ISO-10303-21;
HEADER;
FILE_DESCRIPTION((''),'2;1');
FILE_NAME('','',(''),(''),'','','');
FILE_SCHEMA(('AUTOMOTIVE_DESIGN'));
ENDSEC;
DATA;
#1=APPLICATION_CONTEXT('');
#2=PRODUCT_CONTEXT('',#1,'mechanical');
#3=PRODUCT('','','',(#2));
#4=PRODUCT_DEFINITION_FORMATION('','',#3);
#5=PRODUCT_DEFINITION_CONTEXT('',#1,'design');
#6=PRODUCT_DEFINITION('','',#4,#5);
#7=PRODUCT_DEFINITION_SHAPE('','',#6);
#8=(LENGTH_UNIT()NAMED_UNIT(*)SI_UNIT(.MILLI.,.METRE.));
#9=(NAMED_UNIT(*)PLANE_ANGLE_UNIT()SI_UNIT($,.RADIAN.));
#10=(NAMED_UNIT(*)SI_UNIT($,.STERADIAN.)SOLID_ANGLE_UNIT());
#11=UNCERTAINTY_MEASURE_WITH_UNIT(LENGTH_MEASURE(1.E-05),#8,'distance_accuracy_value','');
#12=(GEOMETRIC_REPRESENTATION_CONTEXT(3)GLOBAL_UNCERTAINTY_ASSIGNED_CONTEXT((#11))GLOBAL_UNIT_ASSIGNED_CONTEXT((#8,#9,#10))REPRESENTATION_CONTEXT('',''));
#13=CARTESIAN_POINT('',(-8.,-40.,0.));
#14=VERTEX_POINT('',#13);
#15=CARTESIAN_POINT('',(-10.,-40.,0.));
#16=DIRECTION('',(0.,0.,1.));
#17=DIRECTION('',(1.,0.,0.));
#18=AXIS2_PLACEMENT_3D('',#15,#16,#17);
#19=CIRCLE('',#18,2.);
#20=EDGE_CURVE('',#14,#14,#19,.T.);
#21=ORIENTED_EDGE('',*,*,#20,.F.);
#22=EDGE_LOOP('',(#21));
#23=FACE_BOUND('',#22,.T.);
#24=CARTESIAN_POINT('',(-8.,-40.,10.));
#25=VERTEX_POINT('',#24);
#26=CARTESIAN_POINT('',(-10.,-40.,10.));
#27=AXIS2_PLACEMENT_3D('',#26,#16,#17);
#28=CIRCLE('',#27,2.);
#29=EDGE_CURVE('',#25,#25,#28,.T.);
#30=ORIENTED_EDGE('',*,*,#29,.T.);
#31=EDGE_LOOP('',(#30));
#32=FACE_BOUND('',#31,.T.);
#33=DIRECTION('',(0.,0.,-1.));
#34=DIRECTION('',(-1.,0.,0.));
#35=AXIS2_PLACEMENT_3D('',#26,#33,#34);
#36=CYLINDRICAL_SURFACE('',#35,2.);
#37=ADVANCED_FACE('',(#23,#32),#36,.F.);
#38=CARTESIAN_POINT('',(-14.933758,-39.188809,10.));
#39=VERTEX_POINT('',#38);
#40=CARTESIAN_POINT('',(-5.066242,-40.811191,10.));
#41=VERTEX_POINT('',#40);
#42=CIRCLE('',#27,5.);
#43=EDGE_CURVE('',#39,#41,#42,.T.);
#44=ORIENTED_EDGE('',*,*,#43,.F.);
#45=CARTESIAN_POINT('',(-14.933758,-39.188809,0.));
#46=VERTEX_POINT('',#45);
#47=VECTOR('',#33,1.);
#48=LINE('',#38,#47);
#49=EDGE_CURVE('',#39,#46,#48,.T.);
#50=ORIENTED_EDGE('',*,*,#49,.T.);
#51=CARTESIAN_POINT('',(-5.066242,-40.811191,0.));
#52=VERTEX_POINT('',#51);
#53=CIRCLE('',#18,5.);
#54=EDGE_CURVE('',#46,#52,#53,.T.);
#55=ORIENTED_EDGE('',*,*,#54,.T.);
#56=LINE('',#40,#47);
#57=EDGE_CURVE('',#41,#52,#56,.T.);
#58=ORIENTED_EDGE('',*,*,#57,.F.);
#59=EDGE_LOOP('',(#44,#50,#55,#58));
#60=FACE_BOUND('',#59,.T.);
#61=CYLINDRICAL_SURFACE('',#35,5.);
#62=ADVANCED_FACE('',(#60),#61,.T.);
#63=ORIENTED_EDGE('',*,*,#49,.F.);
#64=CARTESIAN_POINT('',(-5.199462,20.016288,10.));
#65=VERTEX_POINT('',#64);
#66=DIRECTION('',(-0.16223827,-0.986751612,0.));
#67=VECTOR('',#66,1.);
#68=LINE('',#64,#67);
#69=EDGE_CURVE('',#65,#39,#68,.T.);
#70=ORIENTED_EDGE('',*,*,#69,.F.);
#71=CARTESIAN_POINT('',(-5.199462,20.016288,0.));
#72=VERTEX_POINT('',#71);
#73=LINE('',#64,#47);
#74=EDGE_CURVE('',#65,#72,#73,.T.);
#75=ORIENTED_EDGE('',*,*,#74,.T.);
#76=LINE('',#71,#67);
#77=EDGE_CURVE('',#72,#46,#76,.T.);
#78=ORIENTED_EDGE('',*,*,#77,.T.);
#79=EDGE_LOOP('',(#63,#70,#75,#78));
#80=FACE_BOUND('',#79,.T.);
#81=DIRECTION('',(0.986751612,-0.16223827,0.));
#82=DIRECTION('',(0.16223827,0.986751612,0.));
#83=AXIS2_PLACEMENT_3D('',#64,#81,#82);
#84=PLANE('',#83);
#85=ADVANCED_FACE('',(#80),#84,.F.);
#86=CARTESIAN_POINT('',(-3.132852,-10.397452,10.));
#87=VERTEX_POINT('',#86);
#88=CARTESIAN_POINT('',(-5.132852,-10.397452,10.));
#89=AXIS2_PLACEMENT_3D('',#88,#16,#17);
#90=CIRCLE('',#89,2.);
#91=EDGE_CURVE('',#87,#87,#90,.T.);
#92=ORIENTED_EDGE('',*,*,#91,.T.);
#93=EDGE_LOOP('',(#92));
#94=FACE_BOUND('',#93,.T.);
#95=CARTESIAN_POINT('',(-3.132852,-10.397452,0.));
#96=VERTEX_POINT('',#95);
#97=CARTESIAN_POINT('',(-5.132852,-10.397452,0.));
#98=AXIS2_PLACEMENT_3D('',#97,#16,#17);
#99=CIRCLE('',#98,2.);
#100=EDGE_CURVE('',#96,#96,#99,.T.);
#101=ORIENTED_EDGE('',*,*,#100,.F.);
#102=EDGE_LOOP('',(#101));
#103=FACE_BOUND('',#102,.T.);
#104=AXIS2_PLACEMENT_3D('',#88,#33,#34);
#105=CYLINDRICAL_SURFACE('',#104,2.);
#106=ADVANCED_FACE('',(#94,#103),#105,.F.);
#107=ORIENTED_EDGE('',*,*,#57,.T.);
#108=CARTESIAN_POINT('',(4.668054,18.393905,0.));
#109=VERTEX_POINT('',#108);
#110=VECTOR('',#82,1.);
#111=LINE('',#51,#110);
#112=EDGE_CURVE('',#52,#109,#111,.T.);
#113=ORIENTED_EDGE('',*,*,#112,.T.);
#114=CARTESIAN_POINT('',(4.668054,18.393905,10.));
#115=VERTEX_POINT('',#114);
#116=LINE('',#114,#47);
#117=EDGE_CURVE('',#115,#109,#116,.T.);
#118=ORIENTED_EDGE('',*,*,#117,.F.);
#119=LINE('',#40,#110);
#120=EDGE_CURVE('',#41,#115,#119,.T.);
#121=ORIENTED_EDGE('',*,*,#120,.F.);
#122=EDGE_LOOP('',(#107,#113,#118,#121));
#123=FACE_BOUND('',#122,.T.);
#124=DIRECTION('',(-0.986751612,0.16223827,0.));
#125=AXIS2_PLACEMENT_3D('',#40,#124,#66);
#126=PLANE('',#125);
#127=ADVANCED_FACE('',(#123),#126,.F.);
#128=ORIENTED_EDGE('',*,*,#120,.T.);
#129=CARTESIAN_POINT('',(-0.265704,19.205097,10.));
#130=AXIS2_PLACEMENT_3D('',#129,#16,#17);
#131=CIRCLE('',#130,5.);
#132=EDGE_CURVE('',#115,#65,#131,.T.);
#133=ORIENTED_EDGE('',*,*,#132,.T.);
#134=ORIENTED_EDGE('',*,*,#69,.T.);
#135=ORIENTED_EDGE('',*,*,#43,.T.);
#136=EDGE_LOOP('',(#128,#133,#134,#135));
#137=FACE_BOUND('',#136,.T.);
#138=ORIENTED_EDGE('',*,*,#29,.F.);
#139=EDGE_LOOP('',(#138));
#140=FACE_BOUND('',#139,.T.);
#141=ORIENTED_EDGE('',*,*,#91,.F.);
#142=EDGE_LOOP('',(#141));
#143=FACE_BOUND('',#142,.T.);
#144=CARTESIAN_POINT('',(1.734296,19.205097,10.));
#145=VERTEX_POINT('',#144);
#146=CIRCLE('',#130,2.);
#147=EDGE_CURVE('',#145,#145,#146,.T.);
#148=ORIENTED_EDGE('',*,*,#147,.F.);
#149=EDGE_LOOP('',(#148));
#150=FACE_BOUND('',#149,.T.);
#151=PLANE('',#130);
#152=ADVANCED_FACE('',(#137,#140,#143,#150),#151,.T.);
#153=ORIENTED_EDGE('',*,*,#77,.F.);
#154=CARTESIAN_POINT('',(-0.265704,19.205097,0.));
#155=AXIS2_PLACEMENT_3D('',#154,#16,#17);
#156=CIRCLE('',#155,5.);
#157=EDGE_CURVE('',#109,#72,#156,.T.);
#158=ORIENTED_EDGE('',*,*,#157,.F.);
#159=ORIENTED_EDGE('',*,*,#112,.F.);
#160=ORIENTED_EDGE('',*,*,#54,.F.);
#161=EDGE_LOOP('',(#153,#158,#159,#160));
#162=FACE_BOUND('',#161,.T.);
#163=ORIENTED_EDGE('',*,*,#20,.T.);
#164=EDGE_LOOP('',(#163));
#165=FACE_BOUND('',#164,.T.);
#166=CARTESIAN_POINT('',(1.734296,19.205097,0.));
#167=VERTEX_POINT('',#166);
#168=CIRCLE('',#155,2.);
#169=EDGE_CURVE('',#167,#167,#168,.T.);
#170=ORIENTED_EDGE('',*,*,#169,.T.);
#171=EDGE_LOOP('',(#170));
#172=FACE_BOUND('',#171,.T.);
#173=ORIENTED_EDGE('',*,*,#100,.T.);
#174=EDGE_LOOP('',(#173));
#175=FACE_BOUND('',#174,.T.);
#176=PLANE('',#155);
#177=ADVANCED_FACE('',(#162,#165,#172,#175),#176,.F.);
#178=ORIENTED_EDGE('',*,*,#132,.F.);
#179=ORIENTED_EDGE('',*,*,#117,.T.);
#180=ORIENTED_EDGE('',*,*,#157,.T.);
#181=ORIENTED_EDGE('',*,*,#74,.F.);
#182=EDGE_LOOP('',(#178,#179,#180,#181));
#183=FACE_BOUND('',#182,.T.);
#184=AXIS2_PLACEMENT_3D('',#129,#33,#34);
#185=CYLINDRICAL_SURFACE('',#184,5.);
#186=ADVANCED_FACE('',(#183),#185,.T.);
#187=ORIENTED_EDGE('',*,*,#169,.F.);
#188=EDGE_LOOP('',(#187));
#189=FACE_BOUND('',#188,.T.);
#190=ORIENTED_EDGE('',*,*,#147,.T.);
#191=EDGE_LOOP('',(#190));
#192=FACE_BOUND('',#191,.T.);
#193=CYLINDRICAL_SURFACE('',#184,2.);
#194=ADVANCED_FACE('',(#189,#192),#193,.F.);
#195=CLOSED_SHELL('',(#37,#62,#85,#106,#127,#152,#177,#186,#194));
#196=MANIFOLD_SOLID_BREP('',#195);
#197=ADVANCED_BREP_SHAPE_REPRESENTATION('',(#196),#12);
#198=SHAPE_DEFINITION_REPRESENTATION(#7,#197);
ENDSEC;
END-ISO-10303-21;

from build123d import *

# Parameters (mm, degrees)
SKETCH1_R           = 2
BOSS_EXTRUDE1_DEPTH = 10


with BuildPart() as part:
    # Sketch1 → Boss-Extrude1 (new body)
    with BuildSketch(Plane.XY):
        with BuildLine():
            Line((-5.199461874, 20.01628807), (-14.93375806, -39.188808651))
            ThreePointArc((-14.93375806, -39.188808651), (-10.811191349, -44.93375806), (-5.06624194, -40.811191349))
            Line((-5.06624194, -40.811191349), (4.668054246, 18.393905372))
            ThreePointArc((4.668054246, 18.393905372), (0.545487535, 24.138854781), (-5.199461874, 20.01628807))
        make_face()
        with Locations((-10, -40)):
            Circle(SKETCH1_R, mode=Mode.SUBTRACT)
        with Locations((-5.132851907, -10.397451639)):
            Circle(SKETCH1_R, mode=Mode.SUBTRACT)
        with Locations((-0.265703814, 19.205096721)):
            Circle(SKETCH1_R, mode=Mode.SUBTRACT)
    extrude(amount=BOSS_EXTRUDE1_DEPTH)


solid = part.part
